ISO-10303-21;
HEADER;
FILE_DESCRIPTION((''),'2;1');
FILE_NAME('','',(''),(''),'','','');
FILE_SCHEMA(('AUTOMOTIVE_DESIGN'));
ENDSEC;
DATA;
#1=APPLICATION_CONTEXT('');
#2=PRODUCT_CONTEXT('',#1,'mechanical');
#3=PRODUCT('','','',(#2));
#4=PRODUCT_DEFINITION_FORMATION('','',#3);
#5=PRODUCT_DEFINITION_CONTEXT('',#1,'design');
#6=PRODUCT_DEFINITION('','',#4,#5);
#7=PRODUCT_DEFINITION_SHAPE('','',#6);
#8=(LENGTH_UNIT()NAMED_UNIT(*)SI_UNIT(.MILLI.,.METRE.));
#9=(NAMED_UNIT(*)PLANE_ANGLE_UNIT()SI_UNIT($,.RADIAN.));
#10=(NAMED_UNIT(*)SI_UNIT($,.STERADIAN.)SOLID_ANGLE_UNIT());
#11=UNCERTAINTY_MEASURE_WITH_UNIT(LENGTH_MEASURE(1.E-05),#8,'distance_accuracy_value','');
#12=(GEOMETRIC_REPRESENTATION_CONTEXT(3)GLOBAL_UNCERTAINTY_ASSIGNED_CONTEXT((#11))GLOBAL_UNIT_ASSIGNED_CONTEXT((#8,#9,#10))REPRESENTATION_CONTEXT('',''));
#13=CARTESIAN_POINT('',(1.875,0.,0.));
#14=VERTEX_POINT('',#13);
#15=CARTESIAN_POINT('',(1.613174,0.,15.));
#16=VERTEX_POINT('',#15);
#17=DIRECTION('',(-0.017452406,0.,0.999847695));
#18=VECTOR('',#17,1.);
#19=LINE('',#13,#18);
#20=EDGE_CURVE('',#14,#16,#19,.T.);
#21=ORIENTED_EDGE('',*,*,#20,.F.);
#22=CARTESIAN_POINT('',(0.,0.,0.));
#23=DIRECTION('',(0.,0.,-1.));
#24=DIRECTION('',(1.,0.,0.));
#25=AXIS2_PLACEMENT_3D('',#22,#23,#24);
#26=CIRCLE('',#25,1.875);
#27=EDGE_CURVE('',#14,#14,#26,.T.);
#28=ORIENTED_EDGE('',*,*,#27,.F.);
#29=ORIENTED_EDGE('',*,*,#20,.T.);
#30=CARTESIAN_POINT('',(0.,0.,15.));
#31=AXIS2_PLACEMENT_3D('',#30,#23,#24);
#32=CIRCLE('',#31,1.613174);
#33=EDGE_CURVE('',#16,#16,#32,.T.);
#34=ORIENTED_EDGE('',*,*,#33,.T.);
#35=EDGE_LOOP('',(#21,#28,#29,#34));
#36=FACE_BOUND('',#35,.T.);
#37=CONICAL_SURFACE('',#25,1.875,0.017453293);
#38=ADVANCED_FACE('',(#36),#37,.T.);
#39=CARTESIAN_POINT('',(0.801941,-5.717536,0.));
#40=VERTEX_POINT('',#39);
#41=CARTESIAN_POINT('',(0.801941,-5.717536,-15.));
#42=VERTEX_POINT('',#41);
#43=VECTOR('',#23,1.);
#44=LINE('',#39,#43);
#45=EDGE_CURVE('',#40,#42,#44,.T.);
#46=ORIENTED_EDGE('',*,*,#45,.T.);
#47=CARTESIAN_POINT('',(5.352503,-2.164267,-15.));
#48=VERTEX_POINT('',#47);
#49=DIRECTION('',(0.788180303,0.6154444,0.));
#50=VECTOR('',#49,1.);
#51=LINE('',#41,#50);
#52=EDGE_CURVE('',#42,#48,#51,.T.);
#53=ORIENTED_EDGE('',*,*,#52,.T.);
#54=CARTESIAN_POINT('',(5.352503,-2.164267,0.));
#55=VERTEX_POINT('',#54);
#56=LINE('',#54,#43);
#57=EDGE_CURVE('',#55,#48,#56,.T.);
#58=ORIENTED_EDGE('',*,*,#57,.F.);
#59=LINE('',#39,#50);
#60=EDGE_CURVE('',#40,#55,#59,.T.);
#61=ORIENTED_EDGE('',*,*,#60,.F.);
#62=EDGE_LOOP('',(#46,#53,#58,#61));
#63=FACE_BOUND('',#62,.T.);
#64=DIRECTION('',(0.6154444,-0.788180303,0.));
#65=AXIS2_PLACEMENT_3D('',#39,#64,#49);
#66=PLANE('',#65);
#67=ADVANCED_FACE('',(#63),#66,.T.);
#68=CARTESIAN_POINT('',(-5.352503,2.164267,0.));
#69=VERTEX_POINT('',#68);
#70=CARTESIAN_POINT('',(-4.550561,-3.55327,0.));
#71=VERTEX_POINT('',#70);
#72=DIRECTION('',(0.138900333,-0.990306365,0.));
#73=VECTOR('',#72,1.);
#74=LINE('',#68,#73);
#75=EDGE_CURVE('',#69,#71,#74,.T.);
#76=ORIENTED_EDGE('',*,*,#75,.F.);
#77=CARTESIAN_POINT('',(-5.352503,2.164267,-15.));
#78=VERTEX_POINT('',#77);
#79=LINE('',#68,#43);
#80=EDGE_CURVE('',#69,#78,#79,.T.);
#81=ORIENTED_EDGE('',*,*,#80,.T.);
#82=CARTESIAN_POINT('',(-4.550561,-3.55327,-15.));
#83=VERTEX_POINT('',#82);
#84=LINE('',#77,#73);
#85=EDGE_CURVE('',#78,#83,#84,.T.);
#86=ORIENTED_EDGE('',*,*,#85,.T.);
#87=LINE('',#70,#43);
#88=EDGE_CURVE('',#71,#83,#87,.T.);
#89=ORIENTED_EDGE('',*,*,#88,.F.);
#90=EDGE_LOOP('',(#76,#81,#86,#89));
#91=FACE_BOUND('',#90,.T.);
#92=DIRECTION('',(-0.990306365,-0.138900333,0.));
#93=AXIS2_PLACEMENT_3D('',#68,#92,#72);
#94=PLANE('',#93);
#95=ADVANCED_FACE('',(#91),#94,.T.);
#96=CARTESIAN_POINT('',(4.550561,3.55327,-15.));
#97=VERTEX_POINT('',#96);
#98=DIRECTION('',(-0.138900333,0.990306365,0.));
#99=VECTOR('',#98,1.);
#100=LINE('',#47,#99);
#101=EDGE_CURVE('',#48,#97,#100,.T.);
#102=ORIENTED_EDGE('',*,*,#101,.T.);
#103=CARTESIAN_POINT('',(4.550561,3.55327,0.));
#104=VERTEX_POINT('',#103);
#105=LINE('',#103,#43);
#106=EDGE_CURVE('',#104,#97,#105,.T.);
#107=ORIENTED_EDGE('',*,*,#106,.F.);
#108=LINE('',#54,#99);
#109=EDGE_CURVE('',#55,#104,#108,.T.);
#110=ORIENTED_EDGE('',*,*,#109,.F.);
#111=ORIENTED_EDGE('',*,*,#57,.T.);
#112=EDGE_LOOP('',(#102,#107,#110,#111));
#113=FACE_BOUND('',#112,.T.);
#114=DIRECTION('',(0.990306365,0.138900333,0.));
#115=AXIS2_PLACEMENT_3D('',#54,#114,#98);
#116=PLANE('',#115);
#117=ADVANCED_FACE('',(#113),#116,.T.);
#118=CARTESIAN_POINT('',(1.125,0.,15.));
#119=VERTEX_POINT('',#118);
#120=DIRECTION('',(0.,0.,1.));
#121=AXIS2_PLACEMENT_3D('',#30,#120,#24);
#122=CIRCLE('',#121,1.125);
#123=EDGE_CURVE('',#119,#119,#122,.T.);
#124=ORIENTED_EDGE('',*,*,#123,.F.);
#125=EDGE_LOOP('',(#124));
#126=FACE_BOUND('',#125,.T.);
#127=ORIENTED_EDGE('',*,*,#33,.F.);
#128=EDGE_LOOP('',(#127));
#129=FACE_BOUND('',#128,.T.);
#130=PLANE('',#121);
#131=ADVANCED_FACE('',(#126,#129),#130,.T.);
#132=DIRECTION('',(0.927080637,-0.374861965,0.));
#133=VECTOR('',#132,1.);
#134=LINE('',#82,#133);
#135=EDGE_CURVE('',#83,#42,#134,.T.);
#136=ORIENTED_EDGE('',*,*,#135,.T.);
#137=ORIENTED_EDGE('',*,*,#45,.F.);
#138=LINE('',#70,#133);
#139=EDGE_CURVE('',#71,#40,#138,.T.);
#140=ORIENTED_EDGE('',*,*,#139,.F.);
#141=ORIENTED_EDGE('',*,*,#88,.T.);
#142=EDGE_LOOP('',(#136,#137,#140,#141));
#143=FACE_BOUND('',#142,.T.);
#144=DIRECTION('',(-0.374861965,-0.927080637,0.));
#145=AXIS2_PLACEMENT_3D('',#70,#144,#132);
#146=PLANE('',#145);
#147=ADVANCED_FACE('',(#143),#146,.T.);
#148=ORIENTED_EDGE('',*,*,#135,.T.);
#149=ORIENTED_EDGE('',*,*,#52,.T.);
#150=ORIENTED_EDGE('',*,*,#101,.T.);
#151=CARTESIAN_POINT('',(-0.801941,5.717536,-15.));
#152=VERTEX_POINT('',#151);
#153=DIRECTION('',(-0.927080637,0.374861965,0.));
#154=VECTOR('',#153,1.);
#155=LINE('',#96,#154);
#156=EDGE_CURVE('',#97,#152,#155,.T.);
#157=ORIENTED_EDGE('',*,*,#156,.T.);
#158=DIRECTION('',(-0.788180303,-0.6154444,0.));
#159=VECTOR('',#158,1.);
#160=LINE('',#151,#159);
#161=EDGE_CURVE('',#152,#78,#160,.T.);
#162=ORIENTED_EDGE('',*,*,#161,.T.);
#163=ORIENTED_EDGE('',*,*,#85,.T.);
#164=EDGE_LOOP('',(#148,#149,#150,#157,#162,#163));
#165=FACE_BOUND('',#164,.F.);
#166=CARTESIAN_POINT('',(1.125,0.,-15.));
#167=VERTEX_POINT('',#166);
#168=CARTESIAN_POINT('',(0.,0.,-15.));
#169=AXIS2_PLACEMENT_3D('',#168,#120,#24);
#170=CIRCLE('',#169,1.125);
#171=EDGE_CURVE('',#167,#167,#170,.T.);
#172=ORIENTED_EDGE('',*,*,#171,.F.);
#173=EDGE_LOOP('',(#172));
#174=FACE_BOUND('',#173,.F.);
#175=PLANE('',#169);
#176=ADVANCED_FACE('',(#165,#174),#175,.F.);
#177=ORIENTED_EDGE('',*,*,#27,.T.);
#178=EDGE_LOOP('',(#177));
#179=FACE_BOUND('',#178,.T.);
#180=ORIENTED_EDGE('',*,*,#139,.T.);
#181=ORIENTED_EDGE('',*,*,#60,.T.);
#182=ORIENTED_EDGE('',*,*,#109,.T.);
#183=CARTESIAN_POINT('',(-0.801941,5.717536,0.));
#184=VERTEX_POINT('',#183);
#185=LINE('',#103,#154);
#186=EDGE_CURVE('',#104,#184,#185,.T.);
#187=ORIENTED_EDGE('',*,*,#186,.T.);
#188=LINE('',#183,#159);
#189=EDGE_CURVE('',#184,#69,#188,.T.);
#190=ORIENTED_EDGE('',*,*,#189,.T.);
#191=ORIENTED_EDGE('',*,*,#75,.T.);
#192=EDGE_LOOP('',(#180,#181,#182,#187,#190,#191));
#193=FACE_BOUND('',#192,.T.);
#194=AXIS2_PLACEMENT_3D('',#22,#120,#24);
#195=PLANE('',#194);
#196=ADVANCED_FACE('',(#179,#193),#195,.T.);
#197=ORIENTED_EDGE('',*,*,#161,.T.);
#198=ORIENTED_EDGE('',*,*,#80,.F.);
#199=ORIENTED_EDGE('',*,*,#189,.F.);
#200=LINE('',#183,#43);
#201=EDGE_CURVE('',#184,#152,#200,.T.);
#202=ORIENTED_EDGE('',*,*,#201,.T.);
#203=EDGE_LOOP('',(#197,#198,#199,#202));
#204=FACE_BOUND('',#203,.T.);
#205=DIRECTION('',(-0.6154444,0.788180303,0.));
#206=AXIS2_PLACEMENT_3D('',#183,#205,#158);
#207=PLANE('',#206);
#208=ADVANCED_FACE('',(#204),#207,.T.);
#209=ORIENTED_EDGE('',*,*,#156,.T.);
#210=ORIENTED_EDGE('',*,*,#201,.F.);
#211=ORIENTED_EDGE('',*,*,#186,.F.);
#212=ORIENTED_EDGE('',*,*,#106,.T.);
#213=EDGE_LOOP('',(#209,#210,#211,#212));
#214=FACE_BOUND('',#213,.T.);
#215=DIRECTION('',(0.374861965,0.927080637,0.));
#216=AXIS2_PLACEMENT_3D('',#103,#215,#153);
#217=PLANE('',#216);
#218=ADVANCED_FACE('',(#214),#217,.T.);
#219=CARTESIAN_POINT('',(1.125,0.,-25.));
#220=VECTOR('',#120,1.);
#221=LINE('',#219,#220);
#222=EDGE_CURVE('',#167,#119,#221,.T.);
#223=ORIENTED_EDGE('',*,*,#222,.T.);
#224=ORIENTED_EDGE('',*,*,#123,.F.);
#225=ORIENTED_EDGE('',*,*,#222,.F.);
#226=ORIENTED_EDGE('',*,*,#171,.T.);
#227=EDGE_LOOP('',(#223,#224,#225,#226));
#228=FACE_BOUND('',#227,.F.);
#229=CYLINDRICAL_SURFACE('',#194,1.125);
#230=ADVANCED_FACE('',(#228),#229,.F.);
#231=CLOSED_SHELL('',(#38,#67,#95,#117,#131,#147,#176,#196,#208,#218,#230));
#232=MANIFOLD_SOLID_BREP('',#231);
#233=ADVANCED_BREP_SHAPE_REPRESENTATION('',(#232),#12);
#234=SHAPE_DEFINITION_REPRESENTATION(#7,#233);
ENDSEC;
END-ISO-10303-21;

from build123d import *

# Parameters (mm, degrees)
F0_R     = 1.875
F1_DEPTH = 15
F1_TAPER = 1
F3_DEPTH = 15
F4_R     = 1.125
F5_DEPTH = 25


with BuildPart() as f1:
    # F0 (on Top) → F1 (new body)
    with BuildSketch(Plane.XY):
        Circle(F0_R)
    extrude(amount=F1_DEPTH, taper=F1_TAPER)

    # F2 (on Top) → F3 (join)
    with BuildSketch(Plane.XY):
        Polygon((4.5505611026, 3.5532699003), (-0.8019414489, 5.7175364665), (-5.3525025515, 2.1642665662), (-4.5505611026, -3.5532699003), (0.8019414489, -5.7175364665), (5.3525025515, -2.1642665662), align=None)
    extrude(amount=-F3_DEPTH)

    # F4 (on Top) → F5 (cut, symmetric)
    with BuildSketch(Plane.XY):
        Circle(F4_R)
    extrude(amount=F5_DEPTH, both=True, mode=Mode.SUBTRACT)


solid = f1.part
